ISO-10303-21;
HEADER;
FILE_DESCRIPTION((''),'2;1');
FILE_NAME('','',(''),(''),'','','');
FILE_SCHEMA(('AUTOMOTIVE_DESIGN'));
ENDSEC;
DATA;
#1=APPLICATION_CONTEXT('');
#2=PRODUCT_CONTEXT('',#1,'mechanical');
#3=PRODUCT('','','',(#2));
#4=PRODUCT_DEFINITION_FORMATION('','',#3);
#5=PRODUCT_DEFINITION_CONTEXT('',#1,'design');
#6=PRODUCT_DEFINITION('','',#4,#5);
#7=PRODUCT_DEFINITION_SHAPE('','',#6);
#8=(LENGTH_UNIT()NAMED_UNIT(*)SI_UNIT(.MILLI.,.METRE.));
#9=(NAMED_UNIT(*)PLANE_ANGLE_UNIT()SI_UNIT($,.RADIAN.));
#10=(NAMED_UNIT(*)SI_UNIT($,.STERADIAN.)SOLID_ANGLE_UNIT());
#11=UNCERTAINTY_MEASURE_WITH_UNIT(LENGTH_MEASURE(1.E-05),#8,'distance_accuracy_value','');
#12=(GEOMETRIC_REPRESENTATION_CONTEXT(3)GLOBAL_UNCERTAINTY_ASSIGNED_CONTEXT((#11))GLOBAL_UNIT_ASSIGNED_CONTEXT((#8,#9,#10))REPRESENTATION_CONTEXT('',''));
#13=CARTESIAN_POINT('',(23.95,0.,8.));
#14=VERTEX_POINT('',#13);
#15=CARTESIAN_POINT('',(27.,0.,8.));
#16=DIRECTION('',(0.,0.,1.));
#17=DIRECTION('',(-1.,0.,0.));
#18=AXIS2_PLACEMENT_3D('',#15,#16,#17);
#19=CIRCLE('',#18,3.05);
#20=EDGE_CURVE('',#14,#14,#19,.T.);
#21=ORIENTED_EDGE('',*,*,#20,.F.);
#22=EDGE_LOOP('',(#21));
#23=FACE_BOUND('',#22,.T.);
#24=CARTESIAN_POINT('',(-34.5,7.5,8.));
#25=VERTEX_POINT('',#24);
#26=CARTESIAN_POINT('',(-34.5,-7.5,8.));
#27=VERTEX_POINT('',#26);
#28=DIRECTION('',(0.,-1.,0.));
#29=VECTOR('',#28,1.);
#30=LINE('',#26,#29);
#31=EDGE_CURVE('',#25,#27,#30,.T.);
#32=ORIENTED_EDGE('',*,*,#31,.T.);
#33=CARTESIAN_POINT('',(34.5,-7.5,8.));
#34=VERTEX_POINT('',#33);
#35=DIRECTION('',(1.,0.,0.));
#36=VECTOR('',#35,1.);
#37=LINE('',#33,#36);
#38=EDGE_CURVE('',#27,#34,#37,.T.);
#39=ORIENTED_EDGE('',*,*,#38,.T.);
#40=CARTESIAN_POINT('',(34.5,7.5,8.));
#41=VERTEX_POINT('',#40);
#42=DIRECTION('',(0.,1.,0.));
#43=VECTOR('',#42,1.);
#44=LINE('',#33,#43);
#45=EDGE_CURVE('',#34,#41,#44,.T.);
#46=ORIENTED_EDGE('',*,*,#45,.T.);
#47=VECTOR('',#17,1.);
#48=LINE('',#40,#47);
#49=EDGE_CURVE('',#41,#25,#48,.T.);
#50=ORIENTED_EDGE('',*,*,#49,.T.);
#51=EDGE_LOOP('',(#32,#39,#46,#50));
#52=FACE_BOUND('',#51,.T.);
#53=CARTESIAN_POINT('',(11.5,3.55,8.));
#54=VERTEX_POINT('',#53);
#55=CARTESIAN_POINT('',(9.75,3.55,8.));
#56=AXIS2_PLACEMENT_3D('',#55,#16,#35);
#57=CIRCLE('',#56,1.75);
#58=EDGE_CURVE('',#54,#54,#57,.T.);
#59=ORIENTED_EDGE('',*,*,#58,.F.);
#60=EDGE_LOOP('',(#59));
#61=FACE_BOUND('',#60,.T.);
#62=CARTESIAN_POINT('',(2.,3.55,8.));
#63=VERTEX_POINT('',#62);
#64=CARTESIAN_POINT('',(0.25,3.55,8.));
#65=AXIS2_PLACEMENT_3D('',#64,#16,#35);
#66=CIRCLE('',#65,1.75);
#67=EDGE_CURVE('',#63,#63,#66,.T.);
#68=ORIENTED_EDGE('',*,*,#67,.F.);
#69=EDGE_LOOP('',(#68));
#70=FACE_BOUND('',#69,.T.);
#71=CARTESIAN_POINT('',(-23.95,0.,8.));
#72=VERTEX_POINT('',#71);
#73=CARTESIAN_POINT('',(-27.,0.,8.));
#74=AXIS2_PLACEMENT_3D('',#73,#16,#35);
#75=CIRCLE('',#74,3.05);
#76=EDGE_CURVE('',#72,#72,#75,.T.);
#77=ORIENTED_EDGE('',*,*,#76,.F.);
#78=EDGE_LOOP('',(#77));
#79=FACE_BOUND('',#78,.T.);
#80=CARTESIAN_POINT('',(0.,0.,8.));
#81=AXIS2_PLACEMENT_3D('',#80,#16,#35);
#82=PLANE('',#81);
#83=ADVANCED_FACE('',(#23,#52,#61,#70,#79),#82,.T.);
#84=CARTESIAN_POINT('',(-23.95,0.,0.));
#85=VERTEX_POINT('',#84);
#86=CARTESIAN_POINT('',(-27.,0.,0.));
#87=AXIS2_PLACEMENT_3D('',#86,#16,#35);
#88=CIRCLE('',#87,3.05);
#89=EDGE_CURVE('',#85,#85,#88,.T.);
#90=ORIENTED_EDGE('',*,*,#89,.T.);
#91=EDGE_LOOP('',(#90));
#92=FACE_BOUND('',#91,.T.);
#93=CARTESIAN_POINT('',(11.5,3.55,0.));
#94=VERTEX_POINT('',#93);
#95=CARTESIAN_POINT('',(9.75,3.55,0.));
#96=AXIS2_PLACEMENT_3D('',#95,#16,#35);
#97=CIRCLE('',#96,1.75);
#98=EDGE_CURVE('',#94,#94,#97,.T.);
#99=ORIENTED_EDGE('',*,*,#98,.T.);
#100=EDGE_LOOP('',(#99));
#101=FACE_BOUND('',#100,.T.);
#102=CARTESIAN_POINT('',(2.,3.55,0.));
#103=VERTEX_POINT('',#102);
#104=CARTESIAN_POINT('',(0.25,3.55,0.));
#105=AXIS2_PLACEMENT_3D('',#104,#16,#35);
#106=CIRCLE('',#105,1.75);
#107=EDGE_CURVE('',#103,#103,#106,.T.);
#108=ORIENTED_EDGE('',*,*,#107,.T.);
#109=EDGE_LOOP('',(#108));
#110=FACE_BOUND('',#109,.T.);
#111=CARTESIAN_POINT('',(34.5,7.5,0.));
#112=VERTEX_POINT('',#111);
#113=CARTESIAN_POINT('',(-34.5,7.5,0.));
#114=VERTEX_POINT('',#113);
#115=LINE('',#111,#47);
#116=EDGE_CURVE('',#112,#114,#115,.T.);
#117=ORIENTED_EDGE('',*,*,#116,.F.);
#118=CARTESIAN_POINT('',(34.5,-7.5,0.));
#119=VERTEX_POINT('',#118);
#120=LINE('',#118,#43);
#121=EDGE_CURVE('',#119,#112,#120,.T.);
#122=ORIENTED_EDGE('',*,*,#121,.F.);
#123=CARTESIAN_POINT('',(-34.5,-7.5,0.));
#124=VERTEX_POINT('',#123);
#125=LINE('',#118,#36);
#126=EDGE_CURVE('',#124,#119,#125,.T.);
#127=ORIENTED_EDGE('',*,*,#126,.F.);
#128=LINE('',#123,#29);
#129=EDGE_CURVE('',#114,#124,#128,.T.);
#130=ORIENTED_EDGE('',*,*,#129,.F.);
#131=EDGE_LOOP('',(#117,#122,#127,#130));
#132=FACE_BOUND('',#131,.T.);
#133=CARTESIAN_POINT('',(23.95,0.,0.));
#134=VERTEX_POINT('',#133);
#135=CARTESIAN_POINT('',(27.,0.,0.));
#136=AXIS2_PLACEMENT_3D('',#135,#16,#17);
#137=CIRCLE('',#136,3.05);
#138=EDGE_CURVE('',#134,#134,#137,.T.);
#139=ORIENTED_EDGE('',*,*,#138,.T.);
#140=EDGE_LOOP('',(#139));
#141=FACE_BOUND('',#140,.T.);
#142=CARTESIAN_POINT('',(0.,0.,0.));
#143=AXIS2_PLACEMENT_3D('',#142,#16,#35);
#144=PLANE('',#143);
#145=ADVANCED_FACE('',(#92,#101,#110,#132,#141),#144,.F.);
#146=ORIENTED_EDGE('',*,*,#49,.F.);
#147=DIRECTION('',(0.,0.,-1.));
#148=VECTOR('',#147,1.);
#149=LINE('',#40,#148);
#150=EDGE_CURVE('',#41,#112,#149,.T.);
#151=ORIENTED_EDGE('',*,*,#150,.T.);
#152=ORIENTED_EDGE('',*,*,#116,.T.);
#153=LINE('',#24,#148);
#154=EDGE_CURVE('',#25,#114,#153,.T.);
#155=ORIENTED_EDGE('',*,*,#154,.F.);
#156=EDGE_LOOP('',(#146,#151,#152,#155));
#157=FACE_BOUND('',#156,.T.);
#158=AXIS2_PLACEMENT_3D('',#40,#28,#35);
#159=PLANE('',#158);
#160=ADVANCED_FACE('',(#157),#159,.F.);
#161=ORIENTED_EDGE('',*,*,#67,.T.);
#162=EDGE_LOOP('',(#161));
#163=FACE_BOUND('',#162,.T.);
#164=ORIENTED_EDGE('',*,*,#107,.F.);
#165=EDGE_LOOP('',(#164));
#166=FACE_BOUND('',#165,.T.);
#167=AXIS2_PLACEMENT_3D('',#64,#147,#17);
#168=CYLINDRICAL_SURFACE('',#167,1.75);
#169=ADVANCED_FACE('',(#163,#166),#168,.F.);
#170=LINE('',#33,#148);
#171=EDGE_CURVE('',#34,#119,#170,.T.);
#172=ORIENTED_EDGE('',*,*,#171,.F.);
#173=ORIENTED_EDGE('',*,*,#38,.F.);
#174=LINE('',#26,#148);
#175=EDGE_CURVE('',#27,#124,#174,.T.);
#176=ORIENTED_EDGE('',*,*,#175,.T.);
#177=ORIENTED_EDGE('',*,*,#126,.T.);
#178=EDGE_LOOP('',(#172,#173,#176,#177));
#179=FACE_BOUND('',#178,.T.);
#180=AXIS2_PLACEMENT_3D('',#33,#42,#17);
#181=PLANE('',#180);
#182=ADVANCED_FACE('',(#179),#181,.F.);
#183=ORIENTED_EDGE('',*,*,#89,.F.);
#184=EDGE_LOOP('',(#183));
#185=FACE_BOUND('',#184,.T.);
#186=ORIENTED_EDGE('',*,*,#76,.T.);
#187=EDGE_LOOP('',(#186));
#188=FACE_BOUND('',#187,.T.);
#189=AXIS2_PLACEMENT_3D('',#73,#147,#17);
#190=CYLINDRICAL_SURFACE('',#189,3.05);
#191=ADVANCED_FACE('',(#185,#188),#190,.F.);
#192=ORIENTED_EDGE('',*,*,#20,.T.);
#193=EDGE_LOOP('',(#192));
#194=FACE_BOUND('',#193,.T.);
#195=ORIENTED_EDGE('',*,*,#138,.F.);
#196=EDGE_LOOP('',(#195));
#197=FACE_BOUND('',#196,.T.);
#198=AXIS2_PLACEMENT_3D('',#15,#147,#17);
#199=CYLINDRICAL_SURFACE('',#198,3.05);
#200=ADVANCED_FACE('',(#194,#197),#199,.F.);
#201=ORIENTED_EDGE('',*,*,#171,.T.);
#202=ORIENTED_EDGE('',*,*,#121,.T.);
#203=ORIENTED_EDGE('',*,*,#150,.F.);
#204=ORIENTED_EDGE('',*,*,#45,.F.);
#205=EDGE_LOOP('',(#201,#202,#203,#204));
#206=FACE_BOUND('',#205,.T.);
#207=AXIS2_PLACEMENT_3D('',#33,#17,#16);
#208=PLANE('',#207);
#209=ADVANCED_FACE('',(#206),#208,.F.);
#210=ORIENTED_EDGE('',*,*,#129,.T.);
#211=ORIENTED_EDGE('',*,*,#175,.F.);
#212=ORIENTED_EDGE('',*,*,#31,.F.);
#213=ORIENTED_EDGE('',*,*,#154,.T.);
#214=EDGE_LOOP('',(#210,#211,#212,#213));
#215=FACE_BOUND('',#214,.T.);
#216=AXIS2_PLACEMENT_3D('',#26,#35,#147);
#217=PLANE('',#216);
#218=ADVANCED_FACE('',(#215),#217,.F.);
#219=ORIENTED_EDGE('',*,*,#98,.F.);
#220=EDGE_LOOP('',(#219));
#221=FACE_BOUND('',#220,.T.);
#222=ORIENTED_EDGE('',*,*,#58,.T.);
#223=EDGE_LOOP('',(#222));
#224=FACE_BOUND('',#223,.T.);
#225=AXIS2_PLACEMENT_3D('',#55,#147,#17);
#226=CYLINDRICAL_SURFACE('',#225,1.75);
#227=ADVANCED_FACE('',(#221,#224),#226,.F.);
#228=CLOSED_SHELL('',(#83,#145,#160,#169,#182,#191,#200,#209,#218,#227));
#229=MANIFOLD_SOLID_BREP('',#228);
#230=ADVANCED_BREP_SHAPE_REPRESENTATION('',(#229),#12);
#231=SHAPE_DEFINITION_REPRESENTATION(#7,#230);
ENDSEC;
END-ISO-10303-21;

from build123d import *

# Parameters (mm, degrees)
SKETCH1_W           = 69
SKETCH1_H           = 15
SKETCH1_R           = 3.05
SKETCH1_R_2         = 1.75
BOSS_EXTRUDE1_DEPTH = 8


with BuildPart() as part:
    # Sketch1 → Boss-Extrude1 (new body)
    with BuildSketch(Plane.XY):
        Rectangle(SKETCH1_W, SKETCH1_H)
        with Locations((-27, 0)):
            Circle(SKETCH1_R, mode=Mode.SUBTRACT)
        with Locations(Location((27, 0, 0), (0, 0, 180))):
            Circle(SKETCH1_R, mode=Mode.SUBTRACT)
        with Locations((0.25, 3.55)):
            Circle(SKETCH1_R_2, mode=Mode.SUBTRACT)
        with Locations((9.75, 3.55)):
            Circle(SKETCH1_R_2, mode=Mode.SUBTRACT)
    extrude(amount=BOSS_EXTRUDE1_DEPTH)


solid = part.part
